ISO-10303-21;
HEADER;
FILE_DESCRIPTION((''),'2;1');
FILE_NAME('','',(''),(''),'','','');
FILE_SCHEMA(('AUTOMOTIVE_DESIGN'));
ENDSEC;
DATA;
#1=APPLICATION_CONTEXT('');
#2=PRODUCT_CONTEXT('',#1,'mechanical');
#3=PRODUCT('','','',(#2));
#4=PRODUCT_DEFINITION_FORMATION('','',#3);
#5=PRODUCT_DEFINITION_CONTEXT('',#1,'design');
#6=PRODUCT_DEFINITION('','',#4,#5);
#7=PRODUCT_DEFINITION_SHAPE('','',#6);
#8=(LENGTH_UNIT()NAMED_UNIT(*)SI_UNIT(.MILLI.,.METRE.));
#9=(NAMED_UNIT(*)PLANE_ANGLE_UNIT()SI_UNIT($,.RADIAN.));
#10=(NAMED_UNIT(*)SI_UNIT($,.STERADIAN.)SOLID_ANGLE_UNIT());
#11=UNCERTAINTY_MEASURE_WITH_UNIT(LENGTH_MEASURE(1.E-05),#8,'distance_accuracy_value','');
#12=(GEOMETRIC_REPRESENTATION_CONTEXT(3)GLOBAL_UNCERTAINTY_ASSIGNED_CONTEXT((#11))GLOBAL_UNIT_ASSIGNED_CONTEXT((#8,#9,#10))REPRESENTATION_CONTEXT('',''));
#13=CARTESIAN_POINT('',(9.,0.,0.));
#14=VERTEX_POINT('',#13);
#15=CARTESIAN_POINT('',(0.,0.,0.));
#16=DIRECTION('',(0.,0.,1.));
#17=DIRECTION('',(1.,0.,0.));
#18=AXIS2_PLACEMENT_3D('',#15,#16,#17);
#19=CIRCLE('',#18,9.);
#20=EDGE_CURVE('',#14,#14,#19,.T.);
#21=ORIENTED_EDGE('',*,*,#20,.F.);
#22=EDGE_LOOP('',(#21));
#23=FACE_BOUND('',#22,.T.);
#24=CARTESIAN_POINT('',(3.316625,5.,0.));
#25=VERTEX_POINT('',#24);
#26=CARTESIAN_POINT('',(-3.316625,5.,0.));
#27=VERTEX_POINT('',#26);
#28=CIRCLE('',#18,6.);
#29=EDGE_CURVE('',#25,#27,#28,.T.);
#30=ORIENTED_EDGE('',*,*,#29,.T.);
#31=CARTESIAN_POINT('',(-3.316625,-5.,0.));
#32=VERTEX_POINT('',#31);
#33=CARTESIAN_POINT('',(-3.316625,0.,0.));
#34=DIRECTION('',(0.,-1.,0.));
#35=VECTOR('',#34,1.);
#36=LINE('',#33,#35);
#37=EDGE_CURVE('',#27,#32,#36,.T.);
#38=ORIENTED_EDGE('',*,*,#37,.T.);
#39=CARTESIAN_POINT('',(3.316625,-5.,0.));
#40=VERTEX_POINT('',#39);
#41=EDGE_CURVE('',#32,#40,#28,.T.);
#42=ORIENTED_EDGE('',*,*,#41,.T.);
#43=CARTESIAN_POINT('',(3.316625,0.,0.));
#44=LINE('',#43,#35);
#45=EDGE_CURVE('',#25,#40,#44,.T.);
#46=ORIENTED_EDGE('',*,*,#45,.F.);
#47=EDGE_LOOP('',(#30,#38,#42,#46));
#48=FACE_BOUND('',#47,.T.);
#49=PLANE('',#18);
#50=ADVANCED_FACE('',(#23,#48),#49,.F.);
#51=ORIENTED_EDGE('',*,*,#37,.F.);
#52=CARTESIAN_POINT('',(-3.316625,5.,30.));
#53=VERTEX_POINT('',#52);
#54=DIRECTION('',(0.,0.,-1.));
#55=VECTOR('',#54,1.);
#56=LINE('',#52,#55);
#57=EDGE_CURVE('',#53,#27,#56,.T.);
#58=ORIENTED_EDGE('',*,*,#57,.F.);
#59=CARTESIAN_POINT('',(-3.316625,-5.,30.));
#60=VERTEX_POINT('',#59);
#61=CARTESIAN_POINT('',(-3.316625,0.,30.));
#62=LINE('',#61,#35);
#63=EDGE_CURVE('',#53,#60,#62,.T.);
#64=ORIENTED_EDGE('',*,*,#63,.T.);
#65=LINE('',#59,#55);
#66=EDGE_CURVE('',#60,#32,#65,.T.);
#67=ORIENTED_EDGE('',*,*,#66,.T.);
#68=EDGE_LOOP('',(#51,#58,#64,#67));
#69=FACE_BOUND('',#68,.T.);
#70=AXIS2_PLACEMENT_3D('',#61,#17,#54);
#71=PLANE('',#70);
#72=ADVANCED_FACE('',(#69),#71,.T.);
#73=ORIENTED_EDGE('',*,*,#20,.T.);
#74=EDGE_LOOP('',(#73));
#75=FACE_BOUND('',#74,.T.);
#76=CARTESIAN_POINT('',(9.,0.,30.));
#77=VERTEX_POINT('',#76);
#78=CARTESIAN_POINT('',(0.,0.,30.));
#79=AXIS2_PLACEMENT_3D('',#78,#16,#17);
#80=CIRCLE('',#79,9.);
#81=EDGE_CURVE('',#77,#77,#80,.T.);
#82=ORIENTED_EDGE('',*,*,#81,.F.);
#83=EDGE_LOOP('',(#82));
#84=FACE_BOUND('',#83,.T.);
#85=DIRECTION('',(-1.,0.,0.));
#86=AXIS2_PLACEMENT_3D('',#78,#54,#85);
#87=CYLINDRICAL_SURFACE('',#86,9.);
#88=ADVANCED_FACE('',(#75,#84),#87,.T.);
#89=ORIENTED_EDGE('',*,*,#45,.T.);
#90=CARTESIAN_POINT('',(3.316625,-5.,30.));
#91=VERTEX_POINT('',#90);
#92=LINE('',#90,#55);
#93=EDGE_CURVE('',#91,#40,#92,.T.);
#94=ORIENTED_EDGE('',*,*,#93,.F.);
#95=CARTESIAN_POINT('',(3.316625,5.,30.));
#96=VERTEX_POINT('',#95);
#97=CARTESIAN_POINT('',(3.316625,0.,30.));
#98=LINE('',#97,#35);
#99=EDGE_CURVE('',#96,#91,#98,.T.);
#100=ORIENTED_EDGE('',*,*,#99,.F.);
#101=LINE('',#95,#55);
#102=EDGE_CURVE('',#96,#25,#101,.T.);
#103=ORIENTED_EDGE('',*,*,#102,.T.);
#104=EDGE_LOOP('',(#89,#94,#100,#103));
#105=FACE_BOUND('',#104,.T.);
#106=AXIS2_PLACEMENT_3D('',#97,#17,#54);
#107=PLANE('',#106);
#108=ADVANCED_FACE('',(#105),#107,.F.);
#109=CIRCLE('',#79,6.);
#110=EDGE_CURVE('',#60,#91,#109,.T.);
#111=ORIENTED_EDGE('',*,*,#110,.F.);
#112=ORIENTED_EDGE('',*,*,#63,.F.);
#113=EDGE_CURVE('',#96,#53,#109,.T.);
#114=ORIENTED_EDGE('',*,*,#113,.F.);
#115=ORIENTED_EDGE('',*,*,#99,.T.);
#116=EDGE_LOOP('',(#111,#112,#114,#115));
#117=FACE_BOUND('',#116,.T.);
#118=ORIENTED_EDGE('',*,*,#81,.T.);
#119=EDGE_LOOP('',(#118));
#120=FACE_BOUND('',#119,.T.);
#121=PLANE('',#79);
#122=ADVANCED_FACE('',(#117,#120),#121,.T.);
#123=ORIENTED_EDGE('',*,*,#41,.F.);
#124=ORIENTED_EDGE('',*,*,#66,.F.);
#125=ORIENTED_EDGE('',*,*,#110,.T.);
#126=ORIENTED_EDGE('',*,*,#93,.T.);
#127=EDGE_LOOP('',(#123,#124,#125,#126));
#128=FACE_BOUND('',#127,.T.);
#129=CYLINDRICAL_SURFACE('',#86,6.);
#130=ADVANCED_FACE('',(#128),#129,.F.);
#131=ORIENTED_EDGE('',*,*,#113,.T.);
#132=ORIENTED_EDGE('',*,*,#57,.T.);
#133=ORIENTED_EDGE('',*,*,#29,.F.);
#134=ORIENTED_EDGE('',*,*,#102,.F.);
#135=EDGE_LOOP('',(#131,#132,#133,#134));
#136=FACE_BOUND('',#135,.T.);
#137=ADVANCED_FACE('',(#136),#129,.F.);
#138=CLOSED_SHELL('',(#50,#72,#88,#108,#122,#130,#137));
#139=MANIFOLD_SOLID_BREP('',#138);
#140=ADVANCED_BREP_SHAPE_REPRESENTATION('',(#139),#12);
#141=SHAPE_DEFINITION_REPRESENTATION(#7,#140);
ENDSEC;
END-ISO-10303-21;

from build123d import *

# Parameters (mm, degrees)
SKETCH1_R           = 9
SKETCH1_R_2         = 6
BOSS_EXTRUDE1_DEPTH = 30


with BuildPart() as part:
    # Sketch1 → Boss-Extrude1 (new body)
    # profile 1 of 3: a face of its own
    with BuildSketch(Plane.XY):
        Circle(SKETCH1_R)
        Circle(SKETCH1_R_2, mode=Mode.SUBTRACT)
    # profile 2 of 3: a face of its own
    with BuildSketch(Plane.XY):
        with BuildLine():
            Line((-3.31662479, -5), (-3.31662479, 5))
            ThreePointArc((-3.31662479, 5), (-6, 0), (-3.31662479, -5))
        make_face()
    # profile 3 of 3: a face of its own
    with BuildSketch(Plane.XY):
        with BuildLine():
            ThreePointArc((6, 0), (5.286764074, 2.837274331), (3.31662479, 5))
            Line((3.31662479, 5), (3.31662479, -5))
            ThreePointArc((3.31662479, -5), (5.286764074, -2.837274331), (6, 0))
        make_face()
    extrude(amount=BOSS_EXTRUDE1_DEPTH)


solid = part.part
